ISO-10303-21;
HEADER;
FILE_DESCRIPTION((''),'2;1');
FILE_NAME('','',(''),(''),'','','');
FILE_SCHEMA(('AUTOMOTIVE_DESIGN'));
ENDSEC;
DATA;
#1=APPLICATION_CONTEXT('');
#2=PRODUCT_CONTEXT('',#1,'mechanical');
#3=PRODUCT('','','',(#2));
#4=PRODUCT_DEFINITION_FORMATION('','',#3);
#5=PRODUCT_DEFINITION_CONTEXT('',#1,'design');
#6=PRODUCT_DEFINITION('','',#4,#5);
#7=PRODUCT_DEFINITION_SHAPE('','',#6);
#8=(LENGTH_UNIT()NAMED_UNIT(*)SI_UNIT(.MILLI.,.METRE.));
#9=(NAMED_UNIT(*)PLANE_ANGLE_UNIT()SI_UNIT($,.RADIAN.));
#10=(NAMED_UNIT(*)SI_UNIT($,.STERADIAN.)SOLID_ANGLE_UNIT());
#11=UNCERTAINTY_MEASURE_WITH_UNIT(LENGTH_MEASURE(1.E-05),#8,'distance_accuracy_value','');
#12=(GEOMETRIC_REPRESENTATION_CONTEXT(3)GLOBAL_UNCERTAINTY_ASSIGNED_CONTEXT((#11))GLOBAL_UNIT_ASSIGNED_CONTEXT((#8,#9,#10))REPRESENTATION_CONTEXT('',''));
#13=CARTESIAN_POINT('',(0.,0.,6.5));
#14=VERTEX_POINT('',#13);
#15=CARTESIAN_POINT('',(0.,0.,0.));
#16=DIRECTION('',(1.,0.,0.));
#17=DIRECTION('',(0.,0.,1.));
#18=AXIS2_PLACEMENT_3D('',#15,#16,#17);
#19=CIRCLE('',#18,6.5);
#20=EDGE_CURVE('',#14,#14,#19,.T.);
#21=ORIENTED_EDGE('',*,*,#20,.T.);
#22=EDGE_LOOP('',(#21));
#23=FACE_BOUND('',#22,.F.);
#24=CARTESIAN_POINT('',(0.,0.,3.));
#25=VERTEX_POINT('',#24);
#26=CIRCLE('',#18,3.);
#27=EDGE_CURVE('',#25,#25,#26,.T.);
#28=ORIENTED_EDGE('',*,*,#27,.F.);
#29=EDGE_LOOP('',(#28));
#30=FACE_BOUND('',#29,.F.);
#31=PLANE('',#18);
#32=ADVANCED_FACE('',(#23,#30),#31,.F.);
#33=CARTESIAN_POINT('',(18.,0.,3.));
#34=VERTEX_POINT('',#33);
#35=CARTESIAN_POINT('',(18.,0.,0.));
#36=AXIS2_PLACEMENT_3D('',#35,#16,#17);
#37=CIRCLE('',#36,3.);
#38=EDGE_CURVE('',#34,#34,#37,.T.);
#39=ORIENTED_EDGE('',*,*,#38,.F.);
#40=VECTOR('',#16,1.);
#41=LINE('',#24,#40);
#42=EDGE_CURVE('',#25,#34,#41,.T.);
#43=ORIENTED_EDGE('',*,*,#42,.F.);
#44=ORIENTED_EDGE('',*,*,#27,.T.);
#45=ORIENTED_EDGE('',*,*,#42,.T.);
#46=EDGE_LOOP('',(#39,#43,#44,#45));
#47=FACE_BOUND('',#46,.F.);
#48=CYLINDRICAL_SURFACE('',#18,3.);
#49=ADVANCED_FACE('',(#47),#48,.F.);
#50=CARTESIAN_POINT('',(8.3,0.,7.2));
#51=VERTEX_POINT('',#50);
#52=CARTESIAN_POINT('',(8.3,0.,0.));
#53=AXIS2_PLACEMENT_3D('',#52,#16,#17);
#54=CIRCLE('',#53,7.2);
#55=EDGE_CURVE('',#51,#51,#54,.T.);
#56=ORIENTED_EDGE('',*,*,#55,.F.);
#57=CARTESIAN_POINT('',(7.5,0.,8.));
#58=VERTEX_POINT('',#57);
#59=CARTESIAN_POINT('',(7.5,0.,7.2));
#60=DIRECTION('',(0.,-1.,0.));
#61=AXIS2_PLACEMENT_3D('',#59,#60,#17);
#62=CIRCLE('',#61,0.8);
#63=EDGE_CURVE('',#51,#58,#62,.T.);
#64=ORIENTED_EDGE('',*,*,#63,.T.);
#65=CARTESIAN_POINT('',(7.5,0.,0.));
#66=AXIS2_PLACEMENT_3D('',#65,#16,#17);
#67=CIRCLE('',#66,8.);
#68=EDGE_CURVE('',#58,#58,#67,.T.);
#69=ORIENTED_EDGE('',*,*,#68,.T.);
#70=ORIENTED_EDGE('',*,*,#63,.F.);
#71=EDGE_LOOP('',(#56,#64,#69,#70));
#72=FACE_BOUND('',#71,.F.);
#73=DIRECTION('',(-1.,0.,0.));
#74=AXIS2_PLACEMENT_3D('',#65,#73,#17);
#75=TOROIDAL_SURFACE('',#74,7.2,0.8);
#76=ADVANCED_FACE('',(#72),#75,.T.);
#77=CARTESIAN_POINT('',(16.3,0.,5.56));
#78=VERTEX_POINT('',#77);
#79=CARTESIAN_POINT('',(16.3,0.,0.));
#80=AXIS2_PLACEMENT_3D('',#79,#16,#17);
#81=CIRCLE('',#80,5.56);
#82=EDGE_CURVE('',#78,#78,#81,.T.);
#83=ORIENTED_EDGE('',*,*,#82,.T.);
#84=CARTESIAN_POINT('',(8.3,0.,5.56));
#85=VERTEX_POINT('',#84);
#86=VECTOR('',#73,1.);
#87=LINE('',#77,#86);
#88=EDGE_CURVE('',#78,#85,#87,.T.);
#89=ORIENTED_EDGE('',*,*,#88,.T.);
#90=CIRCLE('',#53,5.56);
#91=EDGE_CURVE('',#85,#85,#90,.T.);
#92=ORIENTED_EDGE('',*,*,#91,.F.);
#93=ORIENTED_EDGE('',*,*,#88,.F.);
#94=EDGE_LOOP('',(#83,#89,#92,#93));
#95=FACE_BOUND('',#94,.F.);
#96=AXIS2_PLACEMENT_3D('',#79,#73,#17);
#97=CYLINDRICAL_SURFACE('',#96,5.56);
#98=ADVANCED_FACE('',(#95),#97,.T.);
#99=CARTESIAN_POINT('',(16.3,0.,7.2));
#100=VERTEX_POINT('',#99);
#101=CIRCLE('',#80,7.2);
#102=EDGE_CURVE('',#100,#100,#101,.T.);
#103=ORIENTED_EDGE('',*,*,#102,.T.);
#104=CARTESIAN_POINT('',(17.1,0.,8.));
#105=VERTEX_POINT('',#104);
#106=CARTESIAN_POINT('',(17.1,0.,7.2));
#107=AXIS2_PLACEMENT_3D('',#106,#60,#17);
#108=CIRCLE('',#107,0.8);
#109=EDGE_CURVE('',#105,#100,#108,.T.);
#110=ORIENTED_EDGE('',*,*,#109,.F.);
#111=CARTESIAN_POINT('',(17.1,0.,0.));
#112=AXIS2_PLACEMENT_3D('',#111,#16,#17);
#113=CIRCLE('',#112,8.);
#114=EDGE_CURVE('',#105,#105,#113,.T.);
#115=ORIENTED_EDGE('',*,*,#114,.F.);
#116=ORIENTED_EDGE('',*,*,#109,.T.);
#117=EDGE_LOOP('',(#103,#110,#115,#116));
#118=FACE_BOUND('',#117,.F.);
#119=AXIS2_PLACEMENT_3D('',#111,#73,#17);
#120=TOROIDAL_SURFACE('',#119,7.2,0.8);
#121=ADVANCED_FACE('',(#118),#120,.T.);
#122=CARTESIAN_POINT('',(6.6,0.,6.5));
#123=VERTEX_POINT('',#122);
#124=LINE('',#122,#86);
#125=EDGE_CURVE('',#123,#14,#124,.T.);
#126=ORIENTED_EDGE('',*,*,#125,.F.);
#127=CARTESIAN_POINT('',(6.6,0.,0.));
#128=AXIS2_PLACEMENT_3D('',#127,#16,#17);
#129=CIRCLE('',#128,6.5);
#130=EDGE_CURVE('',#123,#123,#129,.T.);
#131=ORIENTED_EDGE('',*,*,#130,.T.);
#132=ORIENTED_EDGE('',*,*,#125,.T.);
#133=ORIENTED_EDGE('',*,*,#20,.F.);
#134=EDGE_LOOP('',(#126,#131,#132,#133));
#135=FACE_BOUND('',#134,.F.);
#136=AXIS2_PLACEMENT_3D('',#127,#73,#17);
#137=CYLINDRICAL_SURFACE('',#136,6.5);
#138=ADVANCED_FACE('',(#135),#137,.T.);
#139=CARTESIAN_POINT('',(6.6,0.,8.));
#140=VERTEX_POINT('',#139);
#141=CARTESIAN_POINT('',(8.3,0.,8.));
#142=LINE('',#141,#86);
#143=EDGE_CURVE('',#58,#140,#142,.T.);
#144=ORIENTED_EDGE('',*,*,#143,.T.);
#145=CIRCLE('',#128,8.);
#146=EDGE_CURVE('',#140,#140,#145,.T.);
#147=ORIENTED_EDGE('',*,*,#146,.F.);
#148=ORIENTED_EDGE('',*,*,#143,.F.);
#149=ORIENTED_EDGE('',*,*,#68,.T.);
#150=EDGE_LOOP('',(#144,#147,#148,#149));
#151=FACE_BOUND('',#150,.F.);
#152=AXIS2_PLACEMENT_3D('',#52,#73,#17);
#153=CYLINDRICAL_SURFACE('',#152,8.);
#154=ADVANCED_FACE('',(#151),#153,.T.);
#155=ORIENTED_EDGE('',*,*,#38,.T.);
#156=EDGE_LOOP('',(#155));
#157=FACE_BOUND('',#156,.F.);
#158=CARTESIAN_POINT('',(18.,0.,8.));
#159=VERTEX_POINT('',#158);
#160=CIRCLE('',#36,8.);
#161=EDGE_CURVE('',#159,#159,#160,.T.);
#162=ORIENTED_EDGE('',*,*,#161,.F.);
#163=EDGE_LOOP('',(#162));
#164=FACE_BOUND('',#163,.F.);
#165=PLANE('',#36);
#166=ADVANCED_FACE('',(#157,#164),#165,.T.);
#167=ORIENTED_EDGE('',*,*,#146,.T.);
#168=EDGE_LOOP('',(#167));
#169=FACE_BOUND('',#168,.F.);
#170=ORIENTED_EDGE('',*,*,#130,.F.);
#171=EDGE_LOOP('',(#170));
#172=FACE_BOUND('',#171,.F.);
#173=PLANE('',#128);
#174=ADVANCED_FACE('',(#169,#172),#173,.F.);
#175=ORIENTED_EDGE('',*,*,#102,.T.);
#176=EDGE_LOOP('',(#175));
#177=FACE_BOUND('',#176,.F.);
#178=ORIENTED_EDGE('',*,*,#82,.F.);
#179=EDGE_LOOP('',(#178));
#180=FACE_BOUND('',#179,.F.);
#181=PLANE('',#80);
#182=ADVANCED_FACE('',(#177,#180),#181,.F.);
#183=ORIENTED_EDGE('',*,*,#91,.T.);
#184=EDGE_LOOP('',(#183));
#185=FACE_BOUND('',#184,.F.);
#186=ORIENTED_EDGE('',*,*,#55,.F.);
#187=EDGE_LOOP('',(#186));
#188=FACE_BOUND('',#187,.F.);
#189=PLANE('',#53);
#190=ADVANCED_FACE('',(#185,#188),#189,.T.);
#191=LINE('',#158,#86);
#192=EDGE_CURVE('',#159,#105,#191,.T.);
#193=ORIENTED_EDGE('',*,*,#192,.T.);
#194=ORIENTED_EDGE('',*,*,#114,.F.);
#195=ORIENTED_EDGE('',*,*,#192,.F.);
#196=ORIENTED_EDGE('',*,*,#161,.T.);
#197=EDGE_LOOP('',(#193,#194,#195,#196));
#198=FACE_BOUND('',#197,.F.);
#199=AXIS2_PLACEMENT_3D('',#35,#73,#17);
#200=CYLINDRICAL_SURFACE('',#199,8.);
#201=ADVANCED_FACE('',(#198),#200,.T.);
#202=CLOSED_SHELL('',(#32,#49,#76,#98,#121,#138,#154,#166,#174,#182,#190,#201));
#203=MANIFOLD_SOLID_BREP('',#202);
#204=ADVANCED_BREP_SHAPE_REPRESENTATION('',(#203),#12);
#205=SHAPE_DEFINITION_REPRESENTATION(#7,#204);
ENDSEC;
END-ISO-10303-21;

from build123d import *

# Parameters (mm, degrees)
F2_R = 0.8


with BuildPart() as f1:
    # F0 (on Front) → F1 (revolve)
    with BuildSketch(Plane.XZ):
        Polygon((0, 6.5), (0, 3), (18, 3), (18, 8), (16.3, 8), (16.3, 5.56), (8.3, 5.56), (8.3, 8), (6.6, 8), (6.6, 6.5), align=None)
    revolve(axis=Axis((9, 0, 0), (1, 0, 0)))

    # F2
    f2_edges = [f1.edges().sort_by_distance(p)[0] for p in [
        (8.3, 0, -8),
        (16.3, 0, -8),
    ]]
    fillet(f2_edges, radius=F2_R)


solid = f1.part
